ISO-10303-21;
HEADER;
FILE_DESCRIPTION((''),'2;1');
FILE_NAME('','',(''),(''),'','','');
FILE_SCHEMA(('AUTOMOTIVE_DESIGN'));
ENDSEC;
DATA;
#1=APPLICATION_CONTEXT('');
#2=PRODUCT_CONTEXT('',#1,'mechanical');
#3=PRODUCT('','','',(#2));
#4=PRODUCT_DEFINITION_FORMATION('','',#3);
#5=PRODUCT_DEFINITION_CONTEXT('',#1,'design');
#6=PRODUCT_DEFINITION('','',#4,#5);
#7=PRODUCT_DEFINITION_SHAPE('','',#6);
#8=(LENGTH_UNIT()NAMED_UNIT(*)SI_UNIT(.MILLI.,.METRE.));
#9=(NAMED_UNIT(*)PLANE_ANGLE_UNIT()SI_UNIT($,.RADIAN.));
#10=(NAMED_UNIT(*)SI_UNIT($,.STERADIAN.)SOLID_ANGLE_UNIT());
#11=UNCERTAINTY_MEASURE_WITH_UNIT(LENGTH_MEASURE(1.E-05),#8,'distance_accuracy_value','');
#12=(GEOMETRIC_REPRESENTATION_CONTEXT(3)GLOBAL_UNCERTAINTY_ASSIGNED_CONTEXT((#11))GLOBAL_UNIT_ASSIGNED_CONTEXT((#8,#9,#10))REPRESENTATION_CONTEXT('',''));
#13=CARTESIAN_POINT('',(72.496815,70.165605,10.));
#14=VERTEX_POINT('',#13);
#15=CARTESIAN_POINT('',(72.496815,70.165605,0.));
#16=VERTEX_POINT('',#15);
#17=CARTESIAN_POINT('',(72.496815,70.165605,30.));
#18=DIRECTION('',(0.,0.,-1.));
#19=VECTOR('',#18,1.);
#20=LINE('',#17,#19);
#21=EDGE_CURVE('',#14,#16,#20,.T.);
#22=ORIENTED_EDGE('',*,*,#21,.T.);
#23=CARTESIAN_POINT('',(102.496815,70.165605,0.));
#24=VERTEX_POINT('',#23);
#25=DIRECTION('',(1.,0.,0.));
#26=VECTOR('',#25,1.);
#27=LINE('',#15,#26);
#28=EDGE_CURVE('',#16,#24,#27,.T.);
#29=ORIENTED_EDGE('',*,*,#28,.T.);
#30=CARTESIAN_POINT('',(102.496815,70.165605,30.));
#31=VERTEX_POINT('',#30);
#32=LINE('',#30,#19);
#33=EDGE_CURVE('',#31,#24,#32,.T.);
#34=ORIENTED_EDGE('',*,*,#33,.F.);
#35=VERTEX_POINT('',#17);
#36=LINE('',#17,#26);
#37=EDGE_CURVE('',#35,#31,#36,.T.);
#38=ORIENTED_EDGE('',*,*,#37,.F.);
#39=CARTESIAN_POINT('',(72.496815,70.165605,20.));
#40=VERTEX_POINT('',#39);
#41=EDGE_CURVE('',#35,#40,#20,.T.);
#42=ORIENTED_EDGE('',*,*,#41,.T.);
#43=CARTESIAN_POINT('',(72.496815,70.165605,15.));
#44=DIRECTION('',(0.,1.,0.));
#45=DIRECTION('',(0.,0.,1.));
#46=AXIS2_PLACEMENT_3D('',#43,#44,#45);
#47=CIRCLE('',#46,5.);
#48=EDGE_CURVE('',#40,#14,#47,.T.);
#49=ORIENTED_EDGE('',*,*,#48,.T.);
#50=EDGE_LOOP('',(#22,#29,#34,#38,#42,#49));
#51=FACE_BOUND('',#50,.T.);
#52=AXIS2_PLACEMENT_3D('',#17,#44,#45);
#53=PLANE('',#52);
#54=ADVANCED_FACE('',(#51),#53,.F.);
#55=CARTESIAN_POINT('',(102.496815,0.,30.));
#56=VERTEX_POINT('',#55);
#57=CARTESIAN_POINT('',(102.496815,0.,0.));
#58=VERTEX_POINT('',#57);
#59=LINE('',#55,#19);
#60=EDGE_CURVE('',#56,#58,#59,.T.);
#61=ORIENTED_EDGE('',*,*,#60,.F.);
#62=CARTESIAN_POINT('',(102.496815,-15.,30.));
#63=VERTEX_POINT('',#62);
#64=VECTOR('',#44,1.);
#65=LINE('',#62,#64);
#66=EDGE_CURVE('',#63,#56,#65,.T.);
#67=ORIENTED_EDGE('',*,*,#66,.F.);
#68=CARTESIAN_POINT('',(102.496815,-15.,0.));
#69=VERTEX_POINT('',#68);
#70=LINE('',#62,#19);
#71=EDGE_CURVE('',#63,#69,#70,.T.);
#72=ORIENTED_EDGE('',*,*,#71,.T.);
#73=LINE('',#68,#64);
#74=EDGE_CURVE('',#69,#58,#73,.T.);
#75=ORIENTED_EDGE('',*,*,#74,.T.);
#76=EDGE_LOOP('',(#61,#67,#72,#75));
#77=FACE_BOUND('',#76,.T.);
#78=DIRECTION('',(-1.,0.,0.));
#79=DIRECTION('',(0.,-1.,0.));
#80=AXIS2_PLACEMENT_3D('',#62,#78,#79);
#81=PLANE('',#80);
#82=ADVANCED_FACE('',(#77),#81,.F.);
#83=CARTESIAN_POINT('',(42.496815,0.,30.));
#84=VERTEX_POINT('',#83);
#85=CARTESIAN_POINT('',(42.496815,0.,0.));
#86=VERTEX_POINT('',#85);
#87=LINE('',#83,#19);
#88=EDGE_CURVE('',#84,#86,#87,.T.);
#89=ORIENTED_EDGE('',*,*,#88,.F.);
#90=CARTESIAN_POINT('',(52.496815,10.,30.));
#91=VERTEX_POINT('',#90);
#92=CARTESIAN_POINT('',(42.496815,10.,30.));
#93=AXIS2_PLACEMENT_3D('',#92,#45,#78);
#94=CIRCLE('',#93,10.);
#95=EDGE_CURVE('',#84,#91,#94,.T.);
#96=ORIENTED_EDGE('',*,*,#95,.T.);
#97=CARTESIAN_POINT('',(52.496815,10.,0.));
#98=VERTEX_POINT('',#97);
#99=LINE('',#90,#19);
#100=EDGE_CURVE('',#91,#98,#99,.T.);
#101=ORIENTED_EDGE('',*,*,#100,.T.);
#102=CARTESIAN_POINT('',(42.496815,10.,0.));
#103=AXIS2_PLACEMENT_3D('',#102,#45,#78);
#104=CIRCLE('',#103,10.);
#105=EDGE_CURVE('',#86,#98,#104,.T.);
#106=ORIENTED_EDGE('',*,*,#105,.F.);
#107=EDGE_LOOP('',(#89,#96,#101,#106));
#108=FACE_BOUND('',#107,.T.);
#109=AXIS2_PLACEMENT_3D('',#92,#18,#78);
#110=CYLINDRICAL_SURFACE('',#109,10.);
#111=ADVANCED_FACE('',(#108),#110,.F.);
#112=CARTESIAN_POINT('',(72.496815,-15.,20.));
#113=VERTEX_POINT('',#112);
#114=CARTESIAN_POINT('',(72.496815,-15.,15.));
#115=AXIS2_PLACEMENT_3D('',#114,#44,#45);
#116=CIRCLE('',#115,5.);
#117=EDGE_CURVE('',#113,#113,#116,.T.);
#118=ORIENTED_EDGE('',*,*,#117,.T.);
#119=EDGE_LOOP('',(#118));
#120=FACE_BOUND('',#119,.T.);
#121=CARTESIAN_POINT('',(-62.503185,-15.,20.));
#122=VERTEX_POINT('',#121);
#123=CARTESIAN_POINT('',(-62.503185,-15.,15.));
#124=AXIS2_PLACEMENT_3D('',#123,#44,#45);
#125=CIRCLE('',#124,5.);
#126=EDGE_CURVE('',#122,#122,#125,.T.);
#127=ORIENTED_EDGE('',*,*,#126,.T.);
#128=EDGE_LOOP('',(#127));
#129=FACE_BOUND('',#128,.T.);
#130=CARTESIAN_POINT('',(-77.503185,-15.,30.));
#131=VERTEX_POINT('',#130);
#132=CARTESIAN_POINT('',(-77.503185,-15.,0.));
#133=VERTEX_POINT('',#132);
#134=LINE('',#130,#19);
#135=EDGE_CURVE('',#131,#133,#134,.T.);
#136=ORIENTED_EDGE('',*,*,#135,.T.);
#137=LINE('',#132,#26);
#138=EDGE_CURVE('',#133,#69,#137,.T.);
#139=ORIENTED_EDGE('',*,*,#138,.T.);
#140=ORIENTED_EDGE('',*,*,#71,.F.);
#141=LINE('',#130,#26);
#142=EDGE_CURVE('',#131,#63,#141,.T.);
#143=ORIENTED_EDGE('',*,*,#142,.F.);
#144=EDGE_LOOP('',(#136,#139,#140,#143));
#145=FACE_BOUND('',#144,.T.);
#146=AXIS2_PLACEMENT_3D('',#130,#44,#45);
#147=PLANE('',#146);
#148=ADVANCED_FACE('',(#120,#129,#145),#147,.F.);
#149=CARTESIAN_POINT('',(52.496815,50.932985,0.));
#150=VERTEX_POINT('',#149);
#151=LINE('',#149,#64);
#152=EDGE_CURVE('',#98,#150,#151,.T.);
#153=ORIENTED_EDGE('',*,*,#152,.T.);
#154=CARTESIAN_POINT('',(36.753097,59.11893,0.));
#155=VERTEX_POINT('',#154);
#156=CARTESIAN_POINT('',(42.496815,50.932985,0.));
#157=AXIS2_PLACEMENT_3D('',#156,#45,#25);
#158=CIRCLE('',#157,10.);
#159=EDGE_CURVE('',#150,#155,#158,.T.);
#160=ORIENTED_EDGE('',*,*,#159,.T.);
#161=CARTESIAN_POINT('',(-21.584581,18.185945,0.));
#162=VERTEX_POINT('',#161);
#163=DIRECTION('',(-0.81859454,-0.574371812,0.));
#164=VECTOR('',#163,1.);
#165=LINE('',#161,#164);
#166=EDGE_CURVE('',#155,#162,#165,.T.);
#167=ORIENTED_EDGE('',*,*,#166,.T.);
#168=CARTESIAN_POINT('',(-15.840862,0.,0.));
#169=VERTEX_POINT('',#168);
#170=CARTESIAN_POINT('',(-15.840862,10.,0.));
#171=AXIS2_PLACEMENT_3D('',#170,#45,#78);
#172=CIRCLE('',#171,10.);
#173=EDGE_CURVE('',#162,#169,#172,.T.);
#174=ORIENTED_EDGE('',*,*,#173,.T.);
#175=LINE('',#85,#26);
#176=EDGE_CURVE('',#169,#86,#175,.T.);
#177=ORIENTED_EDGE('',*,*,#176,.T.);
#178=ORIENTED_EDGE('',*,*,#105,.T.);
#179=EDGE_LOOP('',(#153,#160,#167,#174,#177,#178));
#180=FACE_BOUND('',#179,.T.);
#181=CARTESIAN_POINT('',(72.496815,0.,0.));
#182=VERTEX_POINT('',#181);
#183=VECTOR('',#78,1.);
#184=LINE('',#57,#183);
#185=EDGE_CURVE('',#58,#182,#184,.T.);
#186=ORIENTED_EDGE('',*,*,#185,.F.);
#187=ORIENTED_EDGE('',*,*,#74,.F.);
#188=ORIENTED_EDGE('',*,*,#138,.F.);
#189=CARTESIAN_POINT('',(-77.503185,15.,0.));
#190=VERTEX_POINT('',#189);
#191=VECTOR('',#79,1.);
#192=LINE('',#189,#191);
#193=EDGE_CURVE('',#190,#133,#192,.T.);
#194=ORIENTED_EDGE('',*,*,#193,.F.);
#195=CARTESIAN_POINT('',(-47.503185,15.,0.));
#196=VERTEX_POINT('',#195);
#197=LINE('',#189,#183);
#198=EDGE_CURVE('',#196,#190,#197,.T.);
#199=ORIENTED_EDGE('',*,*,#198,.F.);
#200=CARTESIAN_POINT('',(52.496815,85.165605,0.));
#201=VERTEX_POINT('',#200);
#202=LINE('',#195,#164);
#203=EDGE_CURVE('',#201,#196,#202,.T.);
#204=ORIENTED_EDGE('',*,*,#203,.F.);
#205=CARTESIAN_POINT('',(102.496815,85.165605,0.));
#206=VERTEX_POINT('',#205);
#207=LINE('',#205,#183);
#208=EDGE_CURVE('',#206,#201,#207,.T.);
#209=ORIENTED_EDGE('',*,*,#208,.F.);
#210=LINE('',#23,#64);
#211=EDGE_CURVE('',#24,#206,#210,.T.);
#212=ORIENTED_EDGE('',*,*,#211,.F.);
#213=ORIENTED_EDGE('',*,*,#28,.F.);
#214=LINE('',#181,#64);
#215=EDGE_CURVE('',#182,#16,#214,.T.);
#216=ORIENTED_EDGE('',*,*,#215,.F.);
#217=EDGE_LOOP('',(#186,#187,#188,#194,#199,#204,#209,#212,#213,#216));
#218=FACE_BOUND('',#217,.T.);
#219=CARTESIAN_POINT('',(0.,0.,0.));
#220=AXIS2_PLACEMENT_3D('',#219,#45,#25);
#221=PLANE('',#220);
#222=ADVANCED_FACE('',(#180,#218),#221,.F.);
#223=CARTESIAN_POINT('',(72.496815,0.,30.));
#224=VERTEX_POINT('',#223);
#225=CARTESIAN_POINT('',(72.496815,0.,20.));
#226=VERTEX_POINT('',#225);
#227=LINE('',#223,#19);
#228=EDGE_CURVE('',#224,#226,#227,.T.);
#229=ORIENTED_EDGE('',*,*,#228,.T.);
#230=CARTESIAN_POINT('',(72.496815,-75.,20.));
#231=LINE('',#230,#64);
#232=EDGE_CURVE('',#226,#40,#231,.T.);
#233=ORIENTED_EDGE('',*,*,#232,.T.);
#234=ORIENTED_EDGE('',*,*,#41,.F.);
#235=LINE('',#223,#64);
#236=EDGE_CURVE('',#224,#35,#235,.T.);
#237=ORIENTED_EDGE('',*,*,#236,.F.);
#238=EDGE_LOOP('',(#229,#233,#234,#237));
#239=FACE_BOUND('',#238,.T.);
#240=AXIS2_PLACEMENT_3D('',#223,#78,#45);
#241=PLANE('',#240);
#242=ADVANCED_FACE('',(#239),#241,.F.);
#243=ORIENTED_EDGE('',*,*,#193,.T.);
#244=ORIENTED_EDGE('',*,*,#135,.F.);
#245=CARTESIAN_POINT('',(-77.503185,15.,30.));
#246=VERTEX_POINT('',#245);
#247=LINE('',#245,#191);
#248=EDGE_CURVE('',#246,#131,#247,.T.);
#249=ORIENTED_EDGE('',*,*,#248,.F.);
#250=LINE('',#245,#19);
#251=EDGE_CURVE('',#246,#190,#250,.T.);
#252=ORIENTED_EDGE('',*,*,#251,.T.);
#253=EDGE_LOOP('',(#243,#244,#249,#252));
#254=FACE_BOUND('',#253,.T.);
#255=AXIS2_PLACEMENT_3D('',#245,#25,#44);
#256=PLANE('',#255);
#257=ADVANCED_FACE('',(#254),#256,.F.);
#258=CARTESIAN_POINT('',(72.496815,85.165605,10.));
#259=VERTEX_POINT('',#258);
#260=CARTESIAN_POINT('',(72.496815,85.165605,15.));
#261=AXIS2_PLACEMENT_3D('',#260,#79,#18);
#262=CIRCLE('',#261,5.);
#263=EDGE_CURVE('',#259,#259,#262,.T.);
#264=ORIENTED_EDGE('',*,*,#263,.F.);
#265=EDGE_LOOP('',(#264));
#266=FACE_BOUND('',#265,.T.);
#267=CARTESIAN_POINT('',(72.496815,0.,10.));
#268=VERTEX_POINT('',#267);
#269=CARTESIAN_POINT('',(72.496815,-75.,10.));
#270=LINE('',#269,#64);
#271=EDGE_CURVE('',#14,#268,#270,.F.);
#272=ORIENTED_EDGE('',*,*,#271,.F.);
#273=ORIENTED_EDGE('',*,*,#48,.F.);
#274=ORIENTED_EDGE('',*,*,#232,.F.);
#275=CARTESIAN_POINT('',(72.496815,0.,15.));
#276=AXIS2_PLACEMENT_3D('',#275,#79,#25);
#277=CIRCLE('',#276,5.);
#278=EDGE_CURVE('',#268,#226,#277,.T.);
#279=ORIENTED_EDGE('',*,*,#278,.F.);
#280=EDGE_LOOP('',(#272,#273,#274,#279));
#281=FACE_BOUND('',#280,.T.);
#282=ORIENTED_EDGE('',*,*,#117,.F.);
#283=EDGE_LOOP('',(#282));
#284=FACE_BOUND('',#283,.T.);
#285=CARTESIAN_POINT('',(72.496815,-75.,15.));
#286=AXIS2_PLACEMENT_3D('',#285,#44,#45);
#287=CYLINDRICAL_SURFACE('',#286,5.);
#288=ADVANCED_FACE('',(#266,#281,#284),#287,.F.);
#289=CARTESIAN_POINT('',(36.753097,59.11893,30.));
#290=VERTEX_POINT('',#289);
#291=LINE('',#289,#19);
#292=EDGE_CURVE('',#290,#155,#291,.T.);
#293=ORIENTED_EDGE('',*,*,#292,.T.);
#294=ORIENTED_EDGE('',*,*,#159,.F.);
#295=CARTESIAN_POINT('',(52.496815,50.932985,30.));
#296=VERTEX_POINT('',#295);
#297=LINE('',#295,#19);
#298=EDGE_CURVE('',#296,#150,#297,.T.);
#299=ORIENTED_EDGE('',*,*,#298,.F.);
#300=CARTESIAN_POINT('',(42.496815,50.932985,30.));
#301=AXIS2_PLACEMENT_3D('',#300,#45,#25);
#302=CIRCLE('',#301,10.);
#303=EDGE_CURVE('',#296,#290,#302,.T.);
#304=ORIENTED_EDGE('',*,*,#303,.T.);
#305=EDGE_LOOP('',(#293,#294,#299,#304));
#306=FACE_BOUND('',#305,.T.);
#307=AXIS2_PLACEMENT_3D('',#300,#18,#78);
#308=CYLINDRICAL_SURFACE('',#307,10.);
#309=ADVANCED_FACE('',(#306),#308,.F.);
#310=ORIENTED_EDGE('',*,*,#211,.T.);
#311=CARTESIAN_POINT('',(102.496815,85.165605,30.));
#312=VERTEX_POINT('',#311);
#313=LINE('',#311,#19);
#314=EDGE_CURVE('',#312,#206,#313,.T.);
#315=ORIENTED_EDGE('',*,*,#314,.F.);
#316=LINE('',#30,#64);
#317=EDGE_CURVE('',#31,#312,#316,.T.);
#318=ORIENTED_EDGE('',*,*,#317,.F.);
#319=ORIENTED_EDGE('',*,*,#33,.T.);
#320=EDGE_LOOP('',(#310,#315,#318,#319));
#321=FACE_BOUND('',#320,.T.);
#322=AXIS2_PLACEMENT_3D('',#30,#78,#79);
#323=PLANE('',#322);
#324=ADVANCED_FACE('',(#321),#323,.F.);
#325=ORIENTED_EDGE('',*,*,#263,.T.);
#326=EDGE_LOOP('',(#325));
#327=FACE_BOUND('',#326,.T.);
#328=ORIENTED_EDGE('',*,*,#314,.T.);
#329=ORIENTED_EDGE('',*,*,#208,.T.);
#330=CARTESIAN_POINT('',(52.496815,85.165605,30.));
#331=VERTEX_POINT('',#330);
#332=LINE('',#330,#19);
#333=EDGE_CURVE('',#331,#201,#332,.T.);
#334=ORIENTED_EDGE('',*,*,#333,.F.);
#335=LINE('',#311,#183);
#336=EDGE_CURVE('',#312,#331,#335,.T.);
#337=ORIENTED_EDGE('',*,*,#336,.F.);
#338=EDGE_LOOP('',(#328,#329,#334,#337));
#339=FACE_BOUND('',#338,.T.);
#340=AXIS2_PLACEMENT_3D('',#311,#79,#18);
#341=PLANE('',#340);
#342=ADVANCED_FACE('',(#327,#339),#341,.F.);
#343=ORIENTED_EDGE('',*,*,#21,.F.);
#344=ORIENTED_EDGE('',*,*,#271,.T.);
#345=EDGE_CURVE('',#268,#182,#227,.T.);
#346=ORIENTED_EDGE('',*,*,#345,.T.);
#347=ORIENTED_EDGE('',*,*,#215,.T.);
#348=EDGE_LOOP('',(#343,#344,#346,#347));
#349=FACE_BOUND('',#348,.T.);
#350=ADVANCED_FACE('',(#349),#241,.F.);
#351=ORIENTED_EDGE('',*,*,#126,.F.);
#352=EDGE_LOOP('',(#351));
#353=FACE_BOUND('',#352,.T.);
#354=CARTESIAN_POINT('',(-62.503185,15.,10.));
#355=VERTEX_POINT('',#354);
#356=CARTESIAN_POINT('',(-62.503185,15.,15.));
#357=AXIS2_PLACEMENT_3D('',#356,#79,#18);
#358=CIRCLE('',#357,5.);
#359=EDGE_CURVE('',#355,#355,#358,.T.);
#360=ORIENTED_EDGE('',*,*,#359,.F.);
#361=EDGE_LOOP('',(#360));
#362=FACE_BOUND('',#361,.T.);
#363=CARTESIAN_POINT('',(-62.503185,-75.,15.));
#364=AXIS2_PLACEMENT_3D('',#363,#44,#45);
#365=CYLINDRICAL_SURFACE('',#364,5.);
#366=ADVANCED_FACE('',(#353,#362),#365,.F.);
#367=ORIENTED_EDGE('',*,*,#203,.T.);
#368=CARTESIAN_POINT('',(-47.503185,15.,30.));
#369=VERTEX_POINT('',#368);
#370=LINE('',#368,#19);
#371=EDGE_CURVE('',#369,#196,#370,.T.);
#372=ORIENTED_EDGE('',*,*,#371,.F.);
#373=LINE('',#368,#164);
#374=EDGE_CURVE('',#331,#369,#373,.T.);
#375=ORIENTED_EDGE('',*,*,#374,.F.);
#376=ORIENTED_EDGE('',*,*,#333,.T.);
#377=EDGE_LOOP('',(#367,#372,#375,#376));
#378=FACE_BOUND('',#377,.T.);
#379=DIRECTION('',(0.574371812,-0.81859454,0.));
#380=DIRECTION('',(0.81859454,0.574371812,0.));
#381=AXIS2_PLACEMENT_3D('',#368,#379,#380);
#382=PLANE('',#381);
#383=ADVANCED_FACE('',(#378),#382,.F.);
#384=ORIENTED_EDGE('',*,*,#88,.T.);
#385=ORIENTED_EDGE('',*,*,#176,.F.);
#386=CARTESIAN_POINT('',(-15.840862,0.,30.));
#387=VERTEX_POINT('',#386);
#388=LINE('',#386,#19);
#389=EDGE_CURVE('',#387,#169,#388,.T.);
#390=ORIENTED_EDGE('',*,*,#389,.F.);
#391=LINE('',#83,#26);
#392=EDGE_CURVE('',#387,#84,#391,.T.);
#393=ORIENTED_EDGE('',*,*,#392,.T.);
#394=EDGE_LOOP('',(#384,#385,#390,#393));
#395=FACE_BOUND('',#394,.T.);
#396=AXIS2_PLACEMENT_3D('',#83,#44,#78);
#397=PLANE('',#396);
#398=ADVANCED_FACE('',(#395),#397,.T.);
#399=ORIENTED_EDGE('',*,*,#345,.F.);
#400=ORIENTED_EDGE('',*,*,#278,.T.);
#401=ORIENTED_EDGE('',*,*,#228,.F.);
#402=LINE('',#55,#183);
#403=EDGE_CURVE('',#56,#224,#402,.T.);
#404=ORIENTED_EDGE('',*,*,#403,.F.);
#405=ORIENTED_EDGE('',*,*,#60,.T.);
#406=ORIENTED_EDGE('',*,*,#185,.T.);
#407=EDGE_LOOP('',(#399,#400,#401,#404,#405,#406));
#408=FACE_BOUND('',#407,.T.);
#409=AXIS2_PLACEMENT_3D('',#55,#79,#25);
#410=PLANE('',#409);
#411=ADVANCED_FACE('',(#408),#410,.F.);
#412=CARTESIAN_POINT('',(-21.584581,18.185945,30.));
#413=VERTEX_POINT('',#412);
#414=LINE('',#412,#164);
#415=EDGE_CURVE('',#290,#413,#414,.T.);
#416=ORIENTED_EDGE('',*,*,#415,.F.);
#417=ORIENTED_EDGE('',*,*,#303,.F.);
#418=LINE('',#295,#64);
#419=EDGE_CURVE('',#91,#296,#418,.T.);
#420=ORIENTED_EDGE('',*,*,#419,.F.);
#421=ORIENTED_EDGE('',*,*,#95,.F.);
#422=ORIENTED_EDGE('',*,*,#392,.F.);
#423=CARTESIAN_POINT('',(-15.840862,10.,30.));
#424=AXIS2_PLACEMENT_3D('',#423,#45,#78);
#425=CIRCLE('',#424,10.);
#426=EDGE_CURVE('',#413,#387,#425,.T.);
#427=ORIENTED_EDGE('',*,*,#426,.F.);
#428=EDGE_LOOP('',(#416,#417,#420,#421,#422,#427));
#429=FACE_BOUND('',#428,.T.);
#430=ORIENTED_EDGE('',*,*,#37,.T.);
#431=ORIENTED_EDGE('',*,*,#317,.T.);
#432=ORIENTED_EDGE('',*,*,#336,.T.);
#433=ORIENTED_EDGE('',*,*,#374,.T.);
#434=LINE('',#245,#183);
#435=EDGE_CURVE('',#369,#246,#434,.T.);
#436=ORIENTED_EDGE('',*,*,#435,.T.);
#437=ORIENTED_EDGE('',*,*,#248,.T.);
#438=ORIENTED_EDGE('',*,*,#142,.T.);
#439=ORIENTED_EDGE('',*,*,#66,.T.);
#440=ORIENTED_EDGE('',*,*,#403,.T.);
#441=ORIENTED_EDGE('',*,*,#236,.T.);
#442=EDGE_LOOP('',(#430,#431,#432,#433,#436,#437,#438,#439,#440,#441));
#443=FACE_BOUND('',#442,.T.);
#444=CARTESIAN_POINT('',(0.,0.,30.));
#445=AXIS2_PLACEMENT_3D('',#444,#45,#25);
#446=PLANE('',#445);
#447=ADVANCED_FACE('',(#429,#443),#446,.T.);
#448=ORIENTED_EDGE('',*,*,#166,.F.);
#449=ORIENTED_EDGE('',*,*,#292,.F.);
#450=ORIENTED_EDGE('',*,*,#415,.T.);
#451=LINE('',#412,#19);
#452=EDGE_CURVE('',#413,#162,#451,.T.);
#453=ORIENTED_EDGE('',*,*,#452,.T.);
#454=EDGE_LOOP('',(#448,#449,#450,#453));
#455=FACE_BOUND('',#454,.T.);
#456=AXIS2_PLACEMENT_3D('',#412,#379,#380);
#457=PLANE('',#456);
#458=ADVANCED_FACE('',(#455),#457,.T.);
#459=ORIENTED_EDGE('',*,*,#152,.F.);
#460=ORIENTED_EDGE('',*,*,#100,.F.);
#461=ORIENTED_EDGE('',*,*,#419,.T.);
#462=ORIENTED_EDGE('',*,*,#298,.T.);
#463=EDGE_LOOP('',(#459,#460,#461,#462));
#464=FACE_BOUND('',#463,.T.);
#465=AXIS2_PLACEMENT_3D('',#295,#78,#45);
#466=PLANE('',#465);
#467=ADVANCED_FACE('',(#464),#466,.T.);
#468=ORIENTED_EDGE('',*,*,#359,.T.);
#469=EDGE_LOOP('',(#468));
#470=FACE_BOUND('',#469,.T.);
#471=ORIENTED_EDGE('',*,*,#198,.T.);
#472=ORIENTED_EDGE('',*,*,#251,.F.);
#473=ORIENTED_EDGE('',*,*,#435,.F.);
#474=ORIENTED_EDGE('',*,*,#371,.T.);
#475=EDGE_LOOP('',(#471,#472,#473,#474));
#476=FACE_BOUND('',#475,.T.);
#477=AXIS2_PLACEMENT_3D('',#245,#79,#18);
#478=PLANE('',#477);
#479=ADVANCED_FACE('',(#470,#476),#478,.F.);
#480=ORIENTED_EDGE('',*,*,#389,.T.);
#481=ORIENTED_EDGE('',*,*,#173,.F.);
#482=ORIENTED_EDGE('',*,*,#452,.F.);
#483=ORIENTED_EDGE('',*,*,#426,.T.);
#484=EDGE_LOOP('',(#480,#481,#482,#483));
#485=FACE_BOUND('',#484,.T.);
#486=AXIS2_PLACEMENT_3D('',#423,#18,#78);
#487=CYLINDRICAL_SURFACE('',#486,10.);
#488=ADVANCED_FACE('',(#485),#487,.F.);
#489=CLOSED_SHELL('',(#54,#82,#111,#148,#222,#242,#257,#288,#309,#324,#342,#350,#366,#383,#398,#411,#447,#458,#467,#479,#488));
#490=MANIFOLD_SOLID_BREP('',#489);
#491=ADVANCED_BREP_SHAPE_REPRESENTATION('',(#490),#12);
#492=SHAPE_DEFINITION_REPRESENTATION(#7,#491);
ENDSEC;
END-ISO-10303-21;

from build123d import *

# Parameters (mm, degrees)
BOSS_EXTRUDE1_DEPTH = 30
SKETCH2_R           = 5
CUT_EXTRUDE1_DEPTH  = 90


with BuildPart() as part:
    # Sketch1 → Boss-Extrude1 (new body)
    with BuildSketch(Plane.XY):
        Polygon((-77.503184713, 15), (-77.503184713, -15), (102.496815287, -15), (102.496815287, 0), (72.496815287, 0), (72.496815287, 70.165605096), (102.496815287, 70.165605096), (102.496815287, 85.165605096), (52.496815287, 85.165605096), (-47.503184713, 15), align=None)
        with BuildLine():
            Line((52.496815287, 50.932984608), (52.496815287, 10))
            ThreePointArc((52.496815287, 10), (49.567883098, 2.928932188), (42.496815287, 0))
            Line((42.496815287, 0), (-15.840862486, 0))
            ThreePointArc((-15.840862486, 0), (-25.376570483, 6.988310608), (-21.58458061, 18.185945401))
            Line((-21.58458061, 18.185945401), (36.753097163, 59.11893001))
            ThreePointArc((36.753097163, 59.11893001), (47.109993083, 59.805334388), (52.496815287, 50.932984608))
        make_face(mode=Mode.SUBTRACT)
    extrude(amount=BOSS_EXTRUDE1_DEPTH)

    # Sketch2 → Cut-Extrude1 (cut, symmetric)
    with BuildSketch(Plane(origin=(0, 15, 0), x_dir=(1, 0, 0), z_dir=(0, 1, 0))):
        with Locations(Location((-62.503184713, -15, 0), (0, 0, 270))):
            Circle(SKETCH2_R)
        with Locations(Location((72.496815287, -15, 0), (0, 0, 270))):
            Circle(SKETCH2_R)
    extrude(amount=CUT_EXTRUDE1_DEPTH, both=True, mode=Mode.SUBTRACT)


solid = part.part
